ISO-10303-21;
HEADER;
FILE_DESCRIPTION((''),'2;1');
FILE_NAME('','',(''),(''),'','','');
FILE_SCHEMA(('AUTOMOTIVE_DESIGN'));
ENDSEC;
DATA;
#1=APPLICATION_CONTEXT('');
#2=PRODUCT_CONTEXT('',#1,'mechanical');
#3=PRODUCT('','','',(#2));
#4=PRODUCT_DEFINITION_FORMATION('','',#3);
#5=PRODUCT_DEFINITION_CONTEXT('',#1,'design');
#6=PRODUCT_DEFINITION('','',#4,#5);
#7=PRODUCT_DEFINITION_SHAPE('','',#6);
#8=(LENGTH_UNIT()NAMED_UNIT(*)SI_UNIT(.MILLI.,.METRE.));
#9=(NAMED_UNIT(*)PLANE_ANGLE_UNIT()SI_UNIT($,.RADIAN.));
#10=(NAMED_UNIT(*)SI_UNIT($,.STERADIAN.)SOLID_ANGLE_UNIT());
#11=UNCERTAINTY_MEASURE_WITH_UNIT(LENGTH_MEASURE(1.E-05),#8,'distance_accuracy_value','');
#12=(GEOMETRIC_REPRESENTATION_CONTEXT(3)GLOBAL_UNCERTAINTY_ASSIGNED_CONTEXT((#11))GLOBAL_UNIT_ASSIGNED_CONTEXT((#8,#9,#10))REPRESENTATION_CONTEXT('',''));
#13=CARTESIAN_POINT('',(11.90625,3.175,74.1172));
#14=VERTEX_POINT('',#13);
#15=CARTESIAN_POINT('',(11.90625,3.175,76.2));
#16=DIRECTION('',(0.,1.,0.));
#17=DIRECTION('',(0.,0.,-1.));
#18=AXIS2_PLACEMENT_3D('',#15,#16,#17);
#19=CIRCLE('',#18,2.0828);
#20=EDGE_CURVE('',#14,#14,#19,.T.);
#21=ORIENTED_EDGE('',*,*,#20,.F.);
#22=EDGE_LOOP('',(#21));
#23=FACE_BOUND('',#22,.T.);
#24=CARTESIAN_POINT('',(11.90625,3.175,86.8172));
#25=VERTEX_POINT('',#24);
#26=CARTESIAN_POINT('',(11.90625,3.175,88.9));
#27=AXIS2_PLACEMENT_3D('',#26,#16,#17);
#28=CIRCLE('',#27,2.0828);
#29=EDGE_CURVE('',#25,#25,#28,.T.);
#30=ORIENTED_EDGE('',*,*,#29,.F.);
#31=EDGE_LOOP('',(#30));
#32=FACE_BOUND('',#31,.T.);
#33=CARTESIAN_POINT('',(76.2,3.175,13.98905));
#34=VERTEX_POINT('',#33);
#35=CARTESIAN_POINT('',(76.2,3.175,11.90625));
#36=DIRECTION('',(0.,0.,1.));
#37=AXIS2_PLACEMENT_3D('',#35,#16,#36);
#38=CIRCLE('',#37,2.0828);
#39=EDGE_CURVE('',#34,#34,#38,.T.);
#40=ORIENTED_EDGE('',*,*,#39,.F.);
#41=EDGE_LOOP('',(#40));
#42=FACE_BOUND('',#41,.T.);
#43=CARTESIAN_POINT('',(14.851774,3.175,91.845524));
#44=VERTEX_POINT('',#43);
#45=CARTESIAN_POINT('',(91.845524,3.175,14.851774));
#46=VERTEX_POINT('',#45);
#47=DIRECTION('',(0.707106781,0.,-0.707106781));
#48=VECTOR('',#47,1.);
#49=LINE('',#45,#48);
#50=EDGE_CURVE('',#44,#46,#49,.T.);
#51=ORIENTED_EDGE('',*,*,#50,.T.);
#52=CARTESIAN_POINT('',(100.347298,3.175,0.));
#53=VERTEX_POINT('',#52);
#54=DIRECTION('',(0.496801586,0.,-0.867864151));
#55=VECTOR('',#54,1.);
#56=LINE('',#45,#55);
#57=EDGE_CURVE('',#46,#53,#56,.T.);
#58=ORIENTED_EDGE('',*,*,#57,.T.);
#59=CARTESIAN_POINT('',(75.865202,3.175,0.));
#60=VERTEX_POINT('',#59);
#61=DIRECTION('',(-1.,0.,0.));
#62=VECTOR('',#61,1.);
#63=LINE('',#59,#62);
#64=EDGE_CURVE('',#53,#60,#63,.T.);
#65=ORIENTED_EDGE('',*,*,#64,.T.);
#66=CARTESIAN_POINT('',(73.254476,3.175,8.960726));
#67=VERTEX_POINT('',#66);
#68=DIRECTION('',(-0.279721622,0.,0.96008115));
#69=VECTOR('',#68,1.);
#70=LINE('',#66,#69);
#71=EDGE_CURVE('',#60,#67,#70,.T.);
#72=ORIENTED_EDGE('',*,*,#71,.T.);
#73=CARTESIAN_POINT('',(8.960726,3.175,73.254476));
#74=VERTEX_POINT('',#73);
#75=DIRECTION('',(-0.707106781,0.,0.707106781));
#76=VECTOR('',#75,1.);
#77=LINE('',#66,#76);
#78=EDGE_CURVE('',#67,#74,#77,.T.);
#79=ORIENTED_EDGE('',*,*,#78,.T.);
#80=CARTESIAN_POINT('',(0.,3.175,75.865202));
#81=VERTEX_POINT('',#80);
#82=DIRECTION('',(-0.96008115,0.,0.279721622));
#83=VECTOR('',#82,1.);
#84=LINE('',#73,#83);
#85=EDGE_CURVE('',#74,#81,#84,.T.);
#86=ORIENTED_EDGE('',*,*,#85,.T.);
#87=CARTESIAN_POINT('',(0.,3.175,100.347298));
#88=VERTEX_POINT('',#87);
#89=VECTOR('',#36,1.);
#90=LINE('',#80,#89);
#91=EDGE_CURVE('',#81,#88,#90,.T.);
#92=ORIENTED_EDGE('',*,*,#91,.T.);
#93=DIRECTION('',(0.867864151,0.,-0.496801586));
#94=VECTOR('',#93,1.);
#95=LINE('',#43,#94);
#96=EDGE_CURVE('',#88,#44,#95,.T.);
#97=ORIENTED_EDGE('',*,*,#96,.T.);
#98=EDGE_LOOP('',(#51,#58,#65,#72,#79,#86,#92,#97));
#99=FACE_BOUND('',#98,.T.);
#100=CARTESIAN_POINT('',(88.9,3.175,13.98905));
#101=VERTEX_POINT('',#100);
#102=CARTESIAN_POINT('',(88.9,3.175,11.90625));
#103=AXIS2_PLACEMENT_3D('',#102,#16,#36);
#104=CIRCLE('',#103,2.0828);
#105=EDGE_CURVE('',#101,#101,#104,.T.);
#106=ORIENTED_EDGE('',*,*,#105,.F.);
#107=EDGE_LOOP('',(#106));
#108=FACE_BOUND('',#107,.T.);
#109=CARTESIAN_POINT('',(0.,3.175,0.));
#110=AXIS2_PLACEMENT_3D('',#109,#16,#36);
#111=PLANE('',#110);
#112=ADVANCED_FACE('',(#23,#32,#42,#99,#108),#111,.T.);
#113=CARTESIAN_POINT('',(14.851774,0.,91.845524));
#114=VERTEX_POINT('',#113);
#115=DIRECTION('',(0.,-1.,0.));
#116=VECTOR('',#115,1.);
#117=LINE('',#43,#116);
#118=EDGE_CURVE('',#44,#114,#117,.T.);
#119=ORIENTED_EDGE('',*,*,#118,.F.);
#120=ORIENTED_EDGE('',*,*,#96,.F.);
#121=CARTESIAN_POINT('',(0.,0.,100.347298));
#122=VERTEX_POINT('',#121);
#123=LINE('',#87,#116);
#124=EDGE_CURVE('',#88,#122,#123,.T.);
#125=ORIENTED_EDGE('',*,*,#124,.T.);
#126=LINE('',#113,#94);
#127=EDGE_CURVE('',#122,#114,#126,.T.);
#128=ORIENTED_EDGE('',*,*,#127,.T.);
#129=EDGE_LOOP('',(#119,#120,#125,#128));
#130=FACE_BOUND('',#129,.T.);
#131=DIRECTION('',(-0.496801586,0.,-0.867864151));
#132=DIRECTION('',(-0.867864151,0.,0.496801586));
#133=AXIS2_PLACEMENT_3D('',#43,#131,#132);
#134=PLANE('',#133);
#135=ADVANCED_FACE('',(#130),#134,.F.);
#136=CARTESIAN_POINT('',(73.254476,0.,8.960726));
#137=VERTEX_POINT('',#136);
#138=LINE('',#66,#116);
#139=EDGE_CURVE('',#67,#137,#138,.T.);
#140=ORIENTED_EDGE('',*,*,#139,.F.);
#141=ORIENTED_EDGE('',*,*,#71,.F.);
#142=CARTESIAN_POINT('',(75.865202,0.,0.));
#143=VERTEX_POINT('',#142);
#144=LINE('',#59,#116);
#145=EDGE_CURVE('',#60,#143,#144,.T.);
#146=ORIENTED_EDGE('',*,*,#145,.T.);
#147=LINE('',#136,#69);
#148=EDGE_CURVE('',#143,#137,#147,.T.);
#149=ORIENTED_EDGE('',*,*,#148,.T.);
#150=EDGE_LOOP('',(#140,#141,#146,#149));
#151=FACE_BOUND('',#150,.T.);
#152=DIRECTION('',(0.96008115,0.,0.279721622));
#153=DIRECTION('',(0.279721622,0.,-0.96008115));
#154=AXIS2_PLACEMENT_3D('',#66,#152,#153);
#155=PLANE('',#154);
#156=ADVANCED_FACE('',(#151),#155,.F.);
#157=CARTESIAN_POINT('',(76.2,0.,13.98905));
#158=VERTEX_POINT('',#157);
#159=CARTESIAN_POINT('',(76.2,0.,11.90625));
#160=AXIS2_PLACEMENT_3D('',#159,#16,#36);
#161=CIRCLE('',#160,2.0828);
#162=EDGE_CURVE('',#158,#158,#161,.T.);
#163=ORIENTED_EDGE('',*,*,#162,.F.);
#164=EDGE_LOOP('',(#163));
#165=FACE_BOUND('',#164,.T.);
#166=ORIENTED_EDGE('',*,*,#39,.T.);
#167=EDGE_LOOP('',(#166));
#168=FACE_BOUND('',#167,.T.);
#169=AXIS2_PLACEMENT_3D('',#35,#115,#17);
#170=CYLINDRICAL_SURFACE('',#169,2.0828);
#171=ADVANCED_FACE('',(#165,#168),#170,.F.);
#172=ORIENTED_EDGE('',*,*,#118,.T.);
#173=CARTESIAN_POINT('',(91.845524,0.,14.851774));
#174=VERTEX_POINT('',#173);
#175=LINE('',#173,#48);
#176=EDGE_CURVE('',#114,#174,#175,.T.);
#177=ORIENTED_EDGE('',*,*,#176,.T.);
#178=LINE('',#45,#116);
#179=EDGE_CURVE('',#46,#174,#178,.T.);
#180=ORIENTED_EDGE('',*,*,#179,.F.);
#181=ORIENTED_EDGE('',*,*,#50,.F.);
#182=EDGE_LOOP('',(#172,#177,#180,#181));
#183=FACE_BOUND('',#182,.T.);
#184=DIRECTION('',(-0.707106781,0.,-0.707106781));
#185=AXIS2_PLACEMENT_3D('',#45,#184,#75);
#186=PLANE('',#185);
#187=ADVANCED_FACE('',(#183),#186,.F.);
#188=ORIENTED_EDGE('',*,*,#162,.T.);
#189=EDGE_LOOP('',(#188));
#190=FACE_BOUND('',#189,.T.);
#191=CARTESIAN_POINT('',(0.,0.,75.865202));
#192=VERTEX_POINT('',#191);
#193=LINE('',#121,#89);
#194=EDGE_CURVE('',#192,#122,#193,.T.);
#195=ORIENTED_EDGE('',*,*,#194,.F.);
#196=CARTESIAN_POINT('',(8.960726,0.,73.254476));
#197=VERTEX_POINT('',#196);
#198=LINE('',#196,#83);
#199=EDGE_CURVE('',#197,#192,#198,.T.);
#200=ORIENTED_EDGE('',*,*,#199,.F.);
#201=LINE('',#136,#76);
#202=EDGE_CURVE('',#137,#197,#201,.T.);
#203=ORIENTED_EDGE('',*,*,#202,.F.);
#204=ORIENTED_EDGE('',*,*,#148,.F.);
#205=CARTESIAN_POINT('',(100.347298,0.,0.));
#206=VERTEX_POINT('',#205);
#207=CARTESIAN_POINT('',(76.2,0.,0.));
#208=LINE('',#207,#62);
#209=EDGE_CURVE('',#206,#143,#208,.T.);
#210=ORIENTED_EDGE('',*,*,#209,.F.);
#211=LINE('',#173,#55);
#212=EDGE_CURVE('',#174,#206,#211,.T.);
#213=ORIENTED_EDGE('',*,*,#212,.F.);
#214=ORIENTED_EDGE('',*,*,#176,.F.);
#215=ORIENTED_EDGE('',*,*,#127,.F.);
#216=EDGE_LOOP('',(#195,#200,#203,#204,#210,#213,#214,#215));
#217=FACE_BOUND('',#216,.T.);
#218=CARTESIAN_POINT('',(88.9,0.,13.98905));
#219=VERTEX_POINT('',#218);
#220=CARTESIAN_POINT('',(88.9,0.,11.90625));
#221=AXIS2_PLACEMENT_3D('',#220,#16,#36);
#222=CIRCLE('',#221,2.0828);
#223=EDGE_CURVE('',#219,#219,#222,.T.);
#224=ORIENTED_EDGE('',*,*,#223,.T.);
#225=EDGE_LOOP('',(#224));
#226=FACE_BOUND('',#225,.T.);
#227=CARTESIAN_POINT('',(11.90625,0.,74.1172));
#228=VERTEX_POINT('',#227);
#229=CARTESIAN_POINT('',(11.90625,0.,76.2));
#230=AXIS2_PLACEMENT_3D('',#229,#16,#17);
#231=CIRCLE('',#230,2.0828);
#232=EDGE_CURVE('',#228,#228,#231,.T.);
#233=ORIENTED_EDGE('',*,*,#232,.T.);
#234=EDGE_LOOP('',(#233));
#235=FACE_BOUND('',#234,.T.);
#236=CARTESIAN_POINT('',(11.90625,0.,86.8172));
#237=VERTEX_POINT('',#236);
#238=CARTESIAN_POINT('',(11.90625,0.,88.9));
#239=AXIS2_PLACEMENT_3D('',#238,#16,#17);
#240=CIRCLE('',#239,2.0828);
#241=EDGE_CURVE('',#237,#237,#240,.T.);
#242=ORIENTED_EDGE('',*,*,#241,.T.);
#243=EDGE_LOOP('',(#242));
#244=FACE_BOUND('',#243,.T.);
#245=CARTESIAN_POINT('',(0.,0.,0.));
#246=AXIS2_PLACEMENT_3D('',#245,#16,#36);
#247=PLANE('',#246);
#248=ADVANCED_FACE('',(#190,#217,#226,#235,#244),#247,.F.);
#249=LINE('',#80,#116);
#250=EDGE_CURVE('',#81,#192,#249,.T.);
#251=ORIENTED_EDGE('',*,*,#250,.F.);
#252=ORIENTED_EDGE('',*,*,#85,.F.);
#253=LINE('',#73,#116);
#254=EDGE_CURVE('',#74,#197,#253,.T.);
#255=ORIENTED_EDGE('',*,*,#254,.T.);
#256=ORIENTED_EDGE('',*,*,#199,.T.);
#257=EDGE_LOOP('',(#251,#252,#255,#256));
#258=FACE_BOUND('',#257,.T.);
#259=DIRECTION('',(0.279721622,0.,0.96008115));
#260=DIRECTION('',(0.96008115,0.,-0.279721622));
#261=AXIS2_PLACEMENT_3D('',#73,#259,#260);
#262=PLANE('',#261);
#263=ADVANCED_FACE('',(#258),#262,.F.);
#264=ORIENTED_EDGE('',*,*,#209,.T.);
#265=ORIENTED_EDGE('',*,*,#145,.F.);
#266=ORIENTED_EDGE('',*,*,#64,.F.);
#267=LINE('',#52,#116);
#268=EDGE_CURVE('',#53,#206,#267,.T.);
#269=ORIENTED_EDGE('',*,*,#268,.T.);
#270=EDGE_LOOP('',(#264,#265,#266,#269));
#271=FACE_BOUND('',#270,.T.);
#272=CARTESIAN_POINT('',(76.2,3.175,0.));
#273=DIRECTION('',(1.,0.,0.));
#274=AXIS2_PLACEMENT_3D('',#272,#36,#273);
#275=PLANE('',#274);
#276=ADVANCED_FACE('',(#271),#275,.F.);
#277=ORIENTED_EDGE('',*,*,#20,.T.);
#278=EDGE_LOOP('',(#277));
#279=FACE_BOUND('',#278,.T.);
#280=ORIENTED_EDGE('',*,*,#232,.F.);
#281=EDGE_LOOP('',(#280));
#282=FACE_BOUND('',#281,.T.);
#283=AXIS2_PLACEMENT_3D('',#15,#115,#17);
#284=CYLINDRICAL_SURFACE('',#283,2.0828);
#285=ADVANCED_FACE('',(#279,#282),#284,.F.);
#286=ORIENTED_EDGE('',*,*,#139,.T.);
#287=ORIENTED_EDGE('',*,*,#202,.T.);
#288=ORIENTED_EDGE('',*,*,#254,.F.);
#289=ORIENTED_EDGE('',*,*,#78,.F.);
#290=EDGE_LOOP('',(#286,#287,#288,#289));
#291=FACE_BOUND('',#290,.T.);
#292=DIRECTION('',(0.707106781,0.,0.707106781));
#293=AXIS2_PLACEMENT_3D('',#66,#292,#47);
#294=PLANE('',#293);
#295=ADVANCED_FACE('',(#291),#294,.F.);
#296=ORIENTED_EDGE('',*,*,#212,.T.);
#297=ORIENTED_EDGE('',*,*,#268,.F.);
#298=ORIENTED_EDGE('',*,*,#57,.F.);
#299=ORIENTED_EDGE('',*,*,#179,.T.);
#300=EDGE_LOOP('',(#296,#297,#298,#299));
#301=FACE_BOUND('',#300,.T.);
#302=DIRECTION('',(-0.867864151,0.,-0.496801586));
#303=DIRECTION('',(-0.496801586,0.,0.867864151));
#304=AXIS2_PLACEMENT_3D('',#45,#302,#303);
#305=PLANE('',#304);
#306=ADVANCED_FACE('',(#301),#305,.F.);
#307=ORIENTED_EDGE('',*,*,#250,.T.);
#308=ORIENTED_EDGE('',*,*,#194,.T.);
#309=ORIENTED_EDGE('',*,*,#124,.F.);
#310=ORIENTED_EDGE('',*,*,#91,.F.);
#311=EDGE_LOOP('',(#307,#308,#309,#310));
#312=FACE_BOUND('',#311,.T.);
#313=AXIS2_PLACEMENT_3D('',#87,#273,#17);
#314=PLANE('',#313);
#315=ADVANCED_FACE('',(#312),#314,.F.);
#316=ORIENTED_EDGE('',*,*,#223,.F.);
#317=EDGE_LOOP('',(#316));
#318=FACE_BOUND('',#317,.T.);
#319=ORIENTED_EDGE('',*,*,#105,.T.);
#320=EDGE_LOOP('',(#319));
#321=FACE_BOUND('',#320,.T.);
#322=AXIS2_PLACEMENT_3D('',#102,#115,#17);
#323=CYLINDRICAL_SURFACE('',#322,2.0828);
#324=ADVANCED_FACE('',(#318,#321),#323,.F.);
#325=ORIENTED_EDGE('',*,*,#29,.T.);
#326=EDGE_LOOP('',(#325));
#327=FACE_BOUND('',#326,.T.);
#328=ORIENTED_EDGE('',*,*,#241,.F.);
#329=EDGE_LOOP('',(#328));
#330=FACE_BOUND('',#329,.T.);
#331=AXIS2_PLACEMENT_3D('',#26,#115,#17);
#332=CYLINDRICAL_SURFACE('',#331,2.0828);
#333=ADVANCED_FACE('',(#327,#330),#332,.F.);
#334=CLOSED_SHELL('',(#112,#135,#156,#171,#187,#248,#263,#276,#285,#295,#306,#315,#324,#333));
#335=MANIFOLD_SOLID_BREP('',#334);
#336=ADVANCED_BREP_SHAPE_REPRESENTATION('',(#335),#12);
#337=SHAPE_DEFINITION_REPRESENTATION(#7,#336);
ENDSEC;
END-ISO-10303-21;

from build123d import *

# Parameters (mm, degrees)
SKETCH1_R           = 2.0828
BOSS_EXTRUDE1_DEPTH = 3.175


with BuildPart() as part:
    # Sketch1 → Boss-Extrude1 (new body)
    with BuildSketch(Plane(origin=(0, 0, 0), x_dir=(1, 0, 0), z_dir=(0, 1, 0))):
        Polygon((76.2, 0), (88.9, 0), (100.347298015, 0), (91.845524008, -14.851774008), (14.851774008, -91.845524008), (0, -100.347298015), (0, -88.9), (0, -76.2), (0, -75.865201985), (8.960725992, -73.254475992), (73.254475992, -8.960725992), (75.865201985, 0), align=None)
        with Locations((76.2, -11.90625)):
            Circle(SKETCH1_R, mode=Mode.SUBTRACT)
        with Locations((88.9, -11.90625)):
            Circle(SKETCH1_R, mode=Mode.SUBTRACT)
        with Locations((11.90625, -76.2)):
            Circle(SKETCH1_R, mode=Mode.SUBTRACT)
        with Locations((11.90625, -88.9)):
            Circle(SKETCH1_R, mode=Mode.SUBTRACT)
    extrude(amount=BOSS_EXTRUDE1_DEPTH)


solid = part.part
